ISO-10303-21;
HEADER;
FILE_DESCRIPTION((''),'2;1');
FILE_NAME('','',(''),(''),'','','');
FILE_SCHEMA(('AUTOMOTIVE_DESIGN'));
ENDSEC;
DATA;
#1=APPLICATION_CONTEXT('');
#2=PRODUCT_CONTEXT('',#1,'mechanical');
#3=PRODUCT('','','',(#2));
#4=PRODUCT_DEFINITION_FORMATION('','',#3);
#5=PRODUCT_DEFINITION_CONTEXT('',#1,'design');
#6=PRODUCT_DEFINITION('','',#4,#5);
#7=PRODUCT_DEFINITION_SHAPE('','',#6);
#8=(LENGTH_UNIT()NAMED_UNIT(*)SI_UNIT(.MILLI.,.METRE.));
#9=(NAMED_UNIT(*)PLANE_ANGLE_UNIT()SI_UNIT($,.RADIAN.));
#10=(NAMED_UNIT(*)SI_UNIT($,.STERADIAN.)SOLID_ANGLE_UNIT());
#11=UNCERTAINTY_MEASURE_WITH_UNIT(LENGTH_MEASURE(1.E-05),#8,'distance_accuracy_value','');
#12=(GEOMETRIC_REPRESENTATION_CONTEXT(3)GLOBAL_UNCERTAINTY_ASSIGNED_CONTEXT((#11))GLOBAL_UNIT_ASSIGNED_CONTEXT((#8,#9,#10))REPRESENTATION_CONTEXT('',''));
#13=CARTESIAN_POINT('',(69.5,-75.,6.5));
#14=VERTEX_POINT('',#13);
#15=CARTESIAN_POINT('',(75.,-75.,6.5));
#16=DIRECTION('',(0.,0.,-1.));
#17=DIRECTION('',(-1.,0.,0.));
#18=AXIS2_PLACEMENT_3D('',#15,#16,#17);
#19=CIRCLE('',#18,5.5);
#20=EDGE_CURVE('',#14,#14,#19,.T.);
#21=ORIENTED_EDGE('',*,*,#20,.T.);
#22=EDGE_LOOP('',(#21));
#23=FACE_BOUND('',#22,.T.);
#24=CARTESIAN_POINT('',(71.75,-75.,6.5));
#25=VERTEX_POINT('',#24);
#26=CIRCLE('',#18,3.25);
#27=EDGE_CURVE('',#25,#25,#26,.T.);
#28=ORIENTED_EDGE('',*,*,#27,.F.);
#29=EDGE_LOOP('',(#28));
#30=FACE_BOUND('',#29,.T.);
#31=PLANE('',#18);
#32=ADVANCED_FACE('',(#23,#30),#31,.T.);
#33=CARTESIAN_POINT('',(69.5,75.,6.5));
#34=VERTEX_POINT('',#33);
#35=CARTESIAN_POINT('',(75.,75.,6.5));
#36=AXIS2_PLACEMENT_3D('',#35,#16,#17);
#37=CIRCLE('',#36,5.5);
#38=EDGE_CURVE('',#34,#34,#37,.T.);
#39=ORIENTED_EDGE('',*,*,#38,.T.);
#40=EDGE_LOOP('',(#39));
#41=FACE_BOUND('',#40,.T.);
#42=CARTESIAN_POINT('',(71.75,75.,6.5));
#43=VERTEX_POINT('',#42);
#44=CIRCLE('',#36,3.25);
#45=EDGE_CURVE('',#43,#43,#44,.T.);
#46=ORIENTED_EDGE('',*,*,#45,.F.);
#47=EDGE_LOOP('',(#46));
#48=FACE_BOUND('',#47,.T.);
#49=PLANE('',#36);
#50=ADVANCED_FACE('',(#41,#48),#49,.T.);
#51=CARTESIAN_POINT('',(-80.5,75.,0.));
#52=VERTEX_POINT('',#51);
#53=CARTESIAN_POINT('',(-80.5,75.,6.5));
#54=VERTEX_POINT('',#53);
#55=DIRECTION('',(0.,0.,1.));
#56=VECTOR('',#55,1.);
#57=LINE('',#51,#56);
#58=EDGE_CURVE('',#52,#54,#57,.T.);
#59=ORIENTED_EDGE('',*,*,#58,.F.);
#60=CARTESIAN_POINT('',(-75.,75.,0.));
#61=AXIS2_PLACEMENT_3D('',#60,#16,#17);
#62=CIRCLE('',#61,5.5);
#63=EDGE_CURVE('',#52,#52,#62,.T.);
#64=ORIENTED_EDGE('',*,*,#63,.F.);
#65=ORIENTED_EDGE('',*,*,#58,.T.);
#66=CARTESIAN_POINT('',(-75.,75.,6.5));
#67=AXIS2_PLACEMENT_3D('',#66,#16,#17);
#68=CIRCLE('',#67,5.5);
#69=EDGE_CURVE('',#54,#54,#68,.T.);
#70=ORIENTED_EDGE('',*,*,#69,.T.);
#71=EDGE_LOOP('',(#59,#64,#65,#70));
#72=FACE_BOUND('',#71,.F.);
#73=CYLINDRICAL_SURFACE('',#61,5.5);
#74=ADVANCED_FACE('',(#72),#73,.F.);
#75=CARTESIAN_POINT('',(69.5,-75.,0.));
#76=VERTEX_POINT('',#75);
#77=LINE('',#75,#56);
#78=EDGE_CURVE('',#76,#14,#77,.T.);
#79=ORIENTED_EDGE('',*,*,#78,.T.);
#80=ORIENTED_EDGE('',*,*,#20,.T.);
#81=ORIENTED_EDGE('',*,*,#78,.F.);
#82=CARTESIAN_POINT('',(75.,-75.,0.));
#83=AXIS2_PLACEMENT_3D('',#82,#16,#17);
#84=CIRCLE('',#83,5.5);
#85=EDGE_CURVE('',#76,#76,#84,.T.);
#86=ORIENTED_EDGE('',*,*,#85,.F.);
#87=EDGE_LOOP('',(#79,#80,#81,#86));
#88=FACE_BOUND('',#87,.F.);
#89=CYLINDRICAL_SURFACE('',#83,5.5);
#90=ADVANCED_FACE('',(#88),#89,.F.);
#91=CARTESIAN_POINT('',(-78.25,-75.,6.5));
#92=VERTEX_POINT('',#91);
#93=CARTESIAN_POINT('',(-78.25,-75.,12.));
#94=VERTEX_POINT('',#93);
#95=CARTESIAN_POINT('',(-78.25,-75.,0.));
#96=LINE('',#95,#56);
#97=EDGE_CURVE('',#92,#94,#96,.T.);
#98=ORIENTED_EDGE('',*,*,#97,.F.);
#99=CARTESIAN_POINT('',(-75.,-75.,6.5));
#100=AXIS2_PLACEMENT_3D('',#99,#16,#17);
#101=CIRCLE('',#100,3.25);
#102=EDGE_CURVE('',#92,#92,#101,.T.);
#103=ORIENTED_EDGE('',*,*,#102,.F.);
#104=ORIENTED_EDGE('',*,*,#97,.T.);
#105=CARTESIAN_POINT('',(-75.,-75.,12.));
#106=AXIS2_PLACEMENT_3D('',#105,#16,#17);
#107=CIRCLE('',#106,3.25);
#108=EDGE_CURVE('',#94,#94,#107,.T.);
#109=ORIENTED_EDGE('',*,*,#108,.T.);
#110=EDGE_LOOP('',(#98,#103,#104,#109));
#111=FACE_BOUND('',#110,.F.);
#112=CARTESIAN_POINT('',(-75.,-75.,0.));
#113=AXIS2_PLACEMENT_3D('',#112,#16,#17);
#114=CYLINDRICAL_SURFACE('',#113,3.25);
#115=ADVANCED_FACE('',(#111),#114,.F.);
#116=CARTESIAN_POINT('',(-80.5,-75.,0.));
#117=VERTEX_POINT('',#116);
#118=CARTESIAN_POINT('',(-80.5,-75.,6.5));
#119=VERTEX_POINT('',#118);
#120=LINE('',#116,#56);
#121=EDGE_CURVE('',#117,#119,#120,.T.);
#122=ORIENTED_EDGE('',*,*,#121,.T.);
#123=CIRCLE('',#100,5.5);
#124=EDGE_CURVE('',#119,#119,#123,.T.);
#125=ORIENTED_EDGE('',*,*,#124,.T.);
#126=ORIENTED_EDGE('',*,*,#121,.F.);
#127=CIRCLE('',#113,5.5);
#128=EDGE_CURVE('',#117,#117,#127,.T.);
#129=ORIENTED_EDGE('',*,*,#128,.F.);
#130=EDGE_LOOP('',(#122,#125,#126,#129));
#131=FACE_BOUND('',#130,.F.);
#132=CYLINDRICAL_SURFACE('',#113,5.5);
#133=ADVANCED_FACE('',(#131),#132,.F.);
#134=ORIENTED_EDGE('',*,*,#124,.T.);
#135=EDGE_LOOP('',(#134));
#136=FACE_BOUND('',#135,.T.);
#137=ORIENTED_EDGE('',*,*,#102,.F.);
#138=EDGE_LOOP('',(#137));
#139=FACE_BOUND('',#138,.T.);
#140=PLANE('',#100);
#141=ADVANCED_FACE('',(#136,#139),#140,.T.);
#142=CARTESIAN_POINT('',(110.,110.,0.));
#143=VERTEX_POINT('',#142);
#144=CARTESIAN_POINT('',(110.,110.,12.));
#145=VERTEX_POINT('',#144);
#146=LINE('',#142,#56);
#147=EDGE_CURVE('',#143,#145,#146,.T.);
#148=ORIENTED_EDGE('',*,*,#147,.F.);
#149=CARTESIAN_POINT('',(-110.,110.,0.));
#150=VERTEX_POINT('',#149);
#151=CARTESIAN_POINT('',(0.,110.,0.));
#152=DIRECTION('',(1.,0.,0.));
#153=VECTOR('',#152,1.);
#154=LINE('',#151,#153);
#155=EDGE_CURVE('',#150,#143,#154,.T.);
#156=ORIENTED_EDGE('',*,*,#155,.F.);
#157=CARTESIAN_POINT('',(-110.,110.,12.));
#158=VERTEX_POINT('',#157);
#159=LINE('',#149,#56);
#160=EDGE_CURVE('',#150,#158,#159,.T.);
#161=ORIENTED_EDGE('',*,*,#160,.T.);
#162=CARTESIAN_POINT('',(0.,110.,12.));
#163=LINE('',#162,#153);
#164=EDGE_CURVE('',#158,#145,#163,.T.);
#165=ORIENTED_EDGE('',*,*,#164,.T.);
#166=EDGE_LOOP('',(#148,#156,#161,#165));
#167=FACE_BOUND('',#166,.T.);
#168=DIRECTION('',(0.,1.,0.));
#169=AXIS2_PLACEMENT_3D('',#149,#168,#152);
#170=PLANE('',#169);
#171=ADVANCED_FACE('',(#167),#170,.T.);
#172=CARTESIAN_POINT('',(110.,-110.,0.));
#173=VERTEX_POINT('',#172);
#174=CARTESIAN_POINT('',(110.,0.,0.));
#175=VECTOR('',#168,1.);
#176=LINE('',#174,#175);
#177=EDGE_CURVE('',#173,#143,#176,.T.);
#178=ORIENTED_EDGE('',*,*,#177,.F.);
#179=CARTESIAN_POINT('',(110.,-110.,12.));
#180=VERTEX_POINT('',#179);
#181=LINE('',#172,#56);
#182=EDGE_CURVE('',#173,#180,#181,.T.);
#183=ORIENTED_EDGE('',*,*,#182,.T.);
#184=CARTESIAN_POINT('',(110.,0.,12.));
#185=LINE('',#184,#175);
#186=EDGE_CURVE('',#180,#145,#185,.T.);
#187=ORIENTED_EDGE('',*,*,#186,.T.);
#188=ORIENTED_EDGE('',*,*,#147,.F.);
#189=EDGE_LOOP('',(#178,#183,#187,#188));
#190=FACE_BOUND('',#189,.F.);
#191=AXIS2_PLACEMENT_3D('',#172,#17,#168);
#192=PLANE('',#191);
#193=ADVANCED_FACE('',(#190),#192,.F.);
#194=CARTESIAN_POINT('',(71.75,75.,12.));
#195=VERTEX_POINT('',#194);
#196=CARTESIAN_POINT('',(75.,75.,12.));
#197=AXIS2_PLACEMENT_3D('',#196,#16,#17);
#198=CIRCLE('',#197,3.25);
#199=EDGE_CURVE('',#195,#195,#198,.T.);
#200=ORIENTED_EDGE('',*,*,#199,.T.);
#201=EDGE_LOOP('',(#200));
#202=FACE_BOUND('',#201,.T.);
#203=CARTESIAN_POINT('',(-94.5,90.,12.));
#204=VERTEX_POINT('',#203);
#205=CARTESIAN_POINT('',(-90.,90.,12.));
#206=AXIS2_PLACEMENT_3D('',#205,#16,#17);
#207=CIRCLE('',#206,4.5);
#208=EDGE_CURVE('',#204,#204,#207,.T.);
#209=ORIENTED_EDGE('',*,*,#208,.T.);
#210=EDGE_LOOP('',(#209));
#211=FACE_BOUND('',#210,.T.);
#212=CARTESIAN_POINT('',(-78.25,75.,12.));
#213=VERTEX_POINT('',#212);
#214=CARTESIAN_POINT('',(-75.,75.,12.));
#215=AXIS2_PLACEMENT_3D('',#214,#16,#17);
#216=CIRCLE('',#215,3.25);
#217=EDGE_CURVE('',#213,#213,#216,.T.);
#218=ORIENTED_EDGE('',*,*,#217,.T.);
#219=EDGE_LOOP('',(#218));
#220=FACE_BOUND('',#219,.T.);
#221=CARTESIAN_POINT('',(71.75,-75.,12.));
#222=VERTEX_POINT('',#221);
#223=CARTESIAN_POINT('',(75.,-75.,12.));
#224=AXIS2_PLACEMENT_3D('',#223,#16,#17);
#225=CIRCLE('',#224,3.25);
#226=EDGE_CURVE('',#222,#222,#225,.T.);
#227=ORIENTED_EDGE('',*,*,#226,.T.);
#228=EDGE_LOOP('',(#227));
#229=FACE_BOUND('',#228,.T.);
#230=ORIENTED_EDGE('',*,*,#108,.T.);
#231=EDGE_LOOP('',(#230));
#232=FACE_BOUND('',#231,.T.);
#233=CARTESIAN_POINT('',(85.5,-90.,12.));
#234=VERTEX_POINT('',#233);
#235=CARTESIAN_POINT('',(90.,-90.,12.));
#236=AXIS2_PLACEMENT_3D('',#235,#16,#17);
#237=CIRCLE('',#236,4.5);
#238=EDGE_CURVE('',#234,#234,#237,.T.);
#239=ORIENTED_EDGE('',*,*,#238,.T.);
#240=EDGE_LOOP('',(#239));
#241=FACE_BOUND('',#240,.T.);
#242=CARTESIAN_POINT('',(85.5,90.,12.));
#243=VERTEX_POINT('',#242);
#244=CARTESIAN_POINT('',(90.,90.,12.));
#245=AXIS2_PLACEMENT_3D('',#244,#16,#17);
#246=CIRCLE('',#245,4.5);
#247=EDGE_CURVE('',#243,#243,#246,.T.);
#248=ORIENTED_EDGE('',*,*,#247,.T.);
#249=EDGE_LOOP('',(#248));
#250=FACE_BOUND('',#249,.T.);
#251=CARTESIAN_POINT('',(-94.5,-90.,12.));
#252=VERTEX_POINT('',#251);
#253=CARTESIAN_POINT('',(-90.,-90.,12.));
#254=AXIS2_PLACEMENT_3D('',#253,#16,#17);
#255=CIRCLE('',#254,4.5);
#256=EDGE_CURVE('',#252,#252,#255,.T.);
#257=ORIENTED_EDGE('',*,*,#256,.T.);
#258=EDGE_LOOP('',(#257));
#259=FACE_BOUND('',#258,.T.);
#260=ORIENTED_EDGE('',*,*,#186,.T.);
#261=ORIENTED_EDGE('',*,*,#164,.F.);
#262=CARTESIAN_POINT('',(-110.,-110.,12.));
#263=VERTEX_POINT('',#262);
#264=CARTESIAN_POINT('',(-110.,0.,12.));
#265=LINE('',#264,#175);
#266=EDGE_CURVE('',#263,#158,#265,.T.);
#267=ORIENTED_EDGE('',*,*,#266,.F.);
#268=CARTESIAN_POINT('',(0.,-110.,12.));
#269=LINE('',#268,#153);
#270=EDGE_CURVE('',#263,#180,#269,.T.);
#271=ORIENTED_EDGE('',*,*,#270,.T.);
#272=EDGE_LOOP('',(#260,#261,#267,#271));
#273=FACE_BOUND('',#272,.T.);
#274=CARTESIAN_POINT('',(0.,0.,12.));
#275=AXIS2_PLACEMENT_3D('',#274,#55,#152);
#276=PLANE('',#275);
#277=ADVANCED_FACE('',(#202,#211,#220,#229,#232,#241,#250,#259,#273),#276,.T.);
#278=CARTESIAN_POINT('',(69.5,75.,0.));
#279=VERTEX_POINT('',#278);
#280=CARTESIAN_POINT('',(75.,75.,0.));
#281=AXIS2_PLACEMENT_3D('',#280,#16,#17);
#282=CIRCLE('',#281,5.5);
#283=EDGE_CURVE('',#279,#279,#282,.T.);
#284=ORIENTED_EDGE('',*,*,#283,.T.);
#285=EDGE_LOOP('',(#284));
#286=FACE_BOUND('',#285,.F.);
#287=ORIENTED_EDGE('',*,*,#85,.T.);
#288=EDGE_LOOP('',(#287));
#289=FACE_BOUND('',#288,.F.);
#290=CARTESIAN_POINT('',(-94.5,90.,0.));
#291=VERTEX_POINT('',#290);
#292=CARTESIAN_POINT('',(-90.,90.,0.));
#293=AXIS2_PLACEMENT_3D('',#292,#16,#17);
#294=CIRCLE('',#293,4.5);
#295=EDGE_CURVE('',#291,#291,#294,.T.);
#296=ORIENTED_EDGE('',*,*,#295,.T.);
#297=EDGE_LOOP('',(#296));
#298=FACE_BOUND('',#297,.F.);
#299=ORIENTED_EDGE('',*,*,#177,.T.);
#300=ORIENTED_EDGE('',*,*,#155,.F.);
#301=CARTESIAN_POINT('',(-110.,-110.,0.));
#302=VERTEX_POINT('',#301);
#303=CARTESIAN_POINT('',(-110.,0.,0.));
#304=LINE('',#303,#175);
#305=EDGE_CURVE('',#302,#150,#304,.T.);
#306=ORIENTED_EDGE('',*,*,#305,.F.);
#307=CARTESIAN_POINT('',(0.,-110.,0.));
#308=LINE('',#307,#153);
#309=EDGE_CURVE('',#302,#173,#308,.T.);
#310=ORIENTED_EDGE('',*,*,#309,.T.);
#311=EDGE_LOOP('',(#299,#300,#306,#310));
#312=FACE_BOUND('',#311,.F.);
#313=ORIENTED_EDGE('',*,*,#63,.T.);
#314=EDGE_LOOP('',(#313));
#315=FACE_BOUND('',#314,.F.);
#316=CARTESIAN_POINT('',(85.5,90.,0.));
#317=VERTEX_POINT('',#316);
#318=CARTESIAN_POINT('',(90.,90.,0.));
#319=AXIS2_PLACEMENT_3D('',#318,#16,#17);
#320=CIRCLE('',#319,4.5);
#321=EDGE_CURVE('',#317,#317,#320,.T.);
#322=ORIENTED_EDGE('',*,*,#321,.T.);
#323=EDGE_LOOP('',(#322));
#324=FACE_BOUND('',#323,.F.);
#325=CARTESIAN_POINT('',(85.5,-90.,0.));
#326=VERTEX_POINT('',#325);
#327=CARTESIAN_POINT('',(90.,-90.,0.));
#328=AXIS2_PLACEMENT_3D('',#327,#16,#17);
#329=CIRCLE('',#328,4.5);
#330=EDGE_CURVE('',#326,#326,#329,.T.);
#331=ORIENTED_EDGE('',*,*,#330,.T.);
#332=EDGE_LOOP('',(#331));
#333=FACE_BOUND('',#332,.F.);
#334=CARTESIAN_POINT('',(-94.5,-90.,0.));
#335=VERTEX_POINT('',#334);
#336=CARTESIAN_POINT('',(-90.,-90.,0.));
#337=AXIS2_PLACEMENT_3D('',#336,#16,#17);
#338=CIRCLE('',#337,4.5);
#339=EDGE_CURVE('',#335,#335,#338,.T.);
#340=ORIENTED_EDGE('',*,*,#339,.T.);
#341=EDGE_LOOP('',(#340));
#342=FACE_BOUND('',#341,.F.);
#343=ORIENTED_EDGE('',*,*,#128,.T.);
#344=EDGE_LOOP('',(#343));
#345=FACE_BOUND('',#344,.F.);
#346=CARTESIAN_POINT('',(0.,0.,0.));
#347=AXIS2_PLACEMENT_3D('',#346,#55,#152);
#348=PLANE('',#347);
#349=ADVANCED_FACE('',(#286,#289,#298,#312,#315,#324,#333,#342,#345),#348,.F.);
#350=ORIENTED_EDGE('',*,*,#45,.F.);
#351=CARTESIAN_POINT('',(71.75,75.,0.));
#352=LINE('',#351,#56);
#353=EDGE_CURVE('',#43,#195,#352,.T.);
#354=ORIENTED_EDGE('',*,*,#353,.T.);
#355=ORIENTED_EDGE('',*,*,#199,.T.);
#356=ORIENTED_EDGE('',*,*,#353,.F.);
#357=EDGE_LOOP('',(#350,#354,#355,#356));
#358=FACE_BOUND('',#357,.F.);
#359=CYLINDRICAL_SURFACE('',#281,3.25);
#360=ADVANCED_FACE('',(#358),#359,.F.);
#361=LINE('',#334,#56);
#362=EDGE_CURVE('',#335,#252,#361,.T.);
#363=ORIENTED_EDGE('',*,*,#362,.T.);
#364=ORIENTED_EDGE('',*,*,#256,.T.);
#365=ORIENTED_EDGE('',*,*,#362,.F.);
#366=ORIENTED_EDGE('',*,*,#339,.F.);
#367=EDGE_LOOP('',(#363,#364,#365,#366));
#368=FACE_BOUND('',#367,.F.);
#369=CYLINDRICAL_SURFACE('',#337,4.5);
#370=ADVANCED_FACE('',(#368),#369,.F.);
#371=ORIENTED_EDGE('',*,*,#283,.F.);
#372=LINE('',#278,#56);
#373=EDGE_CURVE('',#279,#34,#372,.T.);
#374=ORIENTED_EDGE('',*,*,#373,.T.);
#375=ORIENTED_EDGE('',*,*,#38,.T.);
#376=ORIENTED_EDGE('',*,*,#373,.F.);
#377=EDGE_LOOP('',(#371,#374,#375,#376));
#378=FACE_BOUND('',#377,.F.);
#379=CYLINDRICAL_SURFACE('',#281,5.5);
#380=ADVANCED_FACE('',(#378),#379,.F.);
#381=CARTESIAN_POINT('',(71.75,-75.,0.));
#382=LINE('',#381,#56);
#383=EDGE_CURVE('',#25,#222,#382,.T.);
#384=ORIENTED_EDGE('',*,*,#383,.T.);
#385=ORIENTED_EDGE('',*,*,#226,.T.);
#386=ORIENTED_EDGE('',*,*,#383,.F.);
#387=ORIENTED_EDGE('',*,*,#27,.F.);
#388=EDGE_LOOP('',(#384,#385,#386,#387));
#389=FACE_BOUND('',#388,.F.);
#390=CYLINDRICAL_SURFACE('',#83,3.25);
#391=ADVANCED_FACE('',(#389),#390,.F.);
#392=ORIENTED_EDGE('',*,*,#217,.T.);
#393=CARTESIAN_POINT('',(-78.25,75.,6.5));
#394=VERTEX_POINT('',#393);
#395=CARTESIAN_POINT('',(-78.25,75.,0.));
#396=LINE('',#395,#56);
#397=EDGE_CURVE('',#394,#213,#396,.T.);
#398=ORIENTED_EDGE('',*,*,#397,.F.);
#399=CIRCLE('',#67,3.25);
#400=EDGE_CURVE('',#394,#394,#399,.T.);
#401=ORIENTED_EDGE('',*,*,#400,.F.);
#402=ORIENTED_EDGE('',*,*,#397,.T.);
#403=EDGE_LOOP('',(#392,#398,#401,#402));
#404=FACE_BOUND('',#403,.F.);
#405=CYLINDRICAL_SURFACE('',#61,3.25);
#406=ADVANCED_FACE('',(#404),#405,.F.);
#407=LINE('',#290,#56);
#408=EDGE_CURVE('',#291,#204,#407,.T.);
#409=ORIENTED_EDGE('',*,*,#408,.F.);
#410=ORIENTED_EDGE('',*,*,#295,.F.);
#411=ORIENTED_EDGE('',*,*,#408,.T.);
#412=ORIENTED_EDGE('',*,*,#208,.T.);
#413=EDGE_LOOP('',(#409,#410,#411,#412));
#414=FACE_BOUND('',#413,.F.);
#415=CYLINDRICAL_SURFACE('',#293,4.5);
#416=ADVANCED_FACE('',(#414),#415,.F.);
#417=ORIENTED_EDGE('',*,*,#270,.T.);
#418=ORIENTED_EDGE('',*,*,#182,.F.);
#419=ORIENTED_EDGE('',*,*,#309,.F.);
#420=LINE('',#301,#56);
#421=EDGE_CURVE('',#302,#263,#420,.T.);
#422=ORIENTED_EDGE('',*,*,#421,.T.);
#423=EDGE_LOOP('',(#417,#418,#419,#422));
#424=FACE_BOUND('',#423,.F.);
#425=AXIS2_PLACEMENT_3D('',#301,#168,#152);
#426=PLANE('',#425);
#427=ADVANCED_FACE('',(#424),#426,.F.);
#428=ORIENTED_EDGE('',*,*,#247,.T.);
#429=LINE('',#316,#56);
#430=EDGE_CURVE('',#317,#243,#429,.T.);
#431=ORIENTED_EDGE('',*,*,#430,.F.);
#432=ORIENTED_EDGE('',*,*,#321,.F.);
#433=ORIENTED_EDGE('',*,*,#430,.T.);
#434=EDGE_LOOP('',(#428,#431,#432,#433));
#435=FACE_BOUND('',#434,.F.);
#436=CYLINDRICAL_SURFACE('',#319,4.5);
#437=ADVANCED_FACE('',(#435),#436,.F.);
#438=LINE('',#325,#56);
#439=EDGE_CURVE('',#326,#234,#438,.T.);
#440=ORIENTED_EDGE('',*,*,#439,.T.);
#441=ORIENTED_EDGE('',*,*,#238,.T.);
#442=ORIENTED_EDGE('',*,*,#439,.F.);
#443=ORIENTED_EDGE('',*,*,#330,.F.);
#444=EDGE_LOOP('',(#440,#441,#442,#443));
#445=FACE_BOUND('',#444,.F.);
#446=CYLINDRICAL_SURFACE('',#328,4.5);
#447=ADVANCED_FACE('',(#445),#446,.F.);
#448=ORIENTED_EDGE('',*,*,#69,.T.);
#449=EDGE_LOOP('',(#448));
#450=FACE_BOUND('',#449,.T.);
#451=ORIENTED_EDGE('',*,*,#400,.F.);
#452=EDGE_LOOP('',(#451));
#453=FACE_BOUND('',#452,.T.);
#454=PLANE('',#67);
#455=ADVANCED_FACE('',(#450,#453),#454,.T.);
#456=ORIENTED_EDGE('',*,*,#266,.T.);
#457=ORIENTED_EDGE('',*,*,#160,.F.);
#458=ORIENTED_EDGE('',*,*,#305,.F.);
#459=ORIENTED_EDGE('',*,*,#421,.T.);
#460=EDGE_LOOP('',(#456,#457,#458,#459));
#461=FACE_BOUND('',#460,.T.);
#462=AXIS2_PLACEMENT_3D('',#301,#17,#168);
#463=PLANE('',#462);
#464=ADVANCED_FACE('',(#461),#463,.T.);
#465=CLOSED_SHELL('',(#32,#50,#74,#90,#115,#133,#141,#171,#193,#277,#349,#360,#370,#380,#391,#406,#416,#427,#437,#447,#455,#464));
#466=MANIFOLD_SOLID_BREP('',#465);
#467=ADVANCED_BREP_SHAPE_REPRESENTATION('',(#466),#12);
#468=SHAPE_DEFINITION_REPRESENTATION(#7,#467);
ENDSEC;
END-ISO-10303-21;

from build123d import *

# Parameters (mm, degrees)
SKETCH_1_W          = 220
SKETCH_1_H          = 220
EXTRUDE_1_DEPTH     = 12
SKETCH_2_R          = 4.5
SKETCH_2_R_2        = 3.25
CUT_EXTRUDE_1_DEPTH = 13
SKETCH_3_R          = 5.5
CUT_EXTRUDE_2_DEPTH = 6.5


with BuildPart() as part:
    # 草图1 → 凸台-拉伸1 (new body)
    with BuildSketch(Plane.XY):
        Rectangle(SKETCH_1_W, SKETCH_1_H)
    extrude(amount=EXTRUDE_1_DEPTH)

    # 草图2 → 切除-拉伸1 (cut)
    with BuildSketch(Plane(origin=(0, 0, 0), x_dir=(-1, 0, 0), z_dir=(0, 0, -1))):
        with Locations((90, -90)):
            Circle(SKETCH_2_R)
        with Locations((90, 90)):
            Circle(SKETCH_2_R)
        with Locations((-90, -90)):
            Circle(SKETCH_2_R)
        with Locations((-90, 90)):
            Circle(SKETCH_2_R)
        with Locations((75, -75)):
            Circle(SKETCH_2_R_2)
        with Locations((75, 75)):
            Circle(SKETCH_2_R_2)
        with Locations((-75, -75)):
            Circle(SKETCH_2_R_2)
        with Locations((-75, 75)):
            Circle(SKETCH_2_R_2)
    extrude(amount=-CUT_EXTRUDE_1_DEPTH, mode=Mode.SUBTRACT)

    # 草图3 → 切除-拉伸2 (cut)
    with BuildSketch(Plane(origin=(0, 0, 0), x_dir=(-1, 0, 0), z_dir=(0, 0, -1))):
        with Locations((75, -75)):
            Circle(SKETCH_3_R)
        with Locations((75, 75)):
            Circle(SKETCH_3_R)
        with Locations((-75, -75)):
            Circle(SKETCH_3_R)
        with Locations((-75, 75)):
            Circle(SKETCH_3_R)
    extrude(amount=-CUT_EXTRUDE_2_DEPTH, mode=Mode.SUBTRACT)


solid = part.part
